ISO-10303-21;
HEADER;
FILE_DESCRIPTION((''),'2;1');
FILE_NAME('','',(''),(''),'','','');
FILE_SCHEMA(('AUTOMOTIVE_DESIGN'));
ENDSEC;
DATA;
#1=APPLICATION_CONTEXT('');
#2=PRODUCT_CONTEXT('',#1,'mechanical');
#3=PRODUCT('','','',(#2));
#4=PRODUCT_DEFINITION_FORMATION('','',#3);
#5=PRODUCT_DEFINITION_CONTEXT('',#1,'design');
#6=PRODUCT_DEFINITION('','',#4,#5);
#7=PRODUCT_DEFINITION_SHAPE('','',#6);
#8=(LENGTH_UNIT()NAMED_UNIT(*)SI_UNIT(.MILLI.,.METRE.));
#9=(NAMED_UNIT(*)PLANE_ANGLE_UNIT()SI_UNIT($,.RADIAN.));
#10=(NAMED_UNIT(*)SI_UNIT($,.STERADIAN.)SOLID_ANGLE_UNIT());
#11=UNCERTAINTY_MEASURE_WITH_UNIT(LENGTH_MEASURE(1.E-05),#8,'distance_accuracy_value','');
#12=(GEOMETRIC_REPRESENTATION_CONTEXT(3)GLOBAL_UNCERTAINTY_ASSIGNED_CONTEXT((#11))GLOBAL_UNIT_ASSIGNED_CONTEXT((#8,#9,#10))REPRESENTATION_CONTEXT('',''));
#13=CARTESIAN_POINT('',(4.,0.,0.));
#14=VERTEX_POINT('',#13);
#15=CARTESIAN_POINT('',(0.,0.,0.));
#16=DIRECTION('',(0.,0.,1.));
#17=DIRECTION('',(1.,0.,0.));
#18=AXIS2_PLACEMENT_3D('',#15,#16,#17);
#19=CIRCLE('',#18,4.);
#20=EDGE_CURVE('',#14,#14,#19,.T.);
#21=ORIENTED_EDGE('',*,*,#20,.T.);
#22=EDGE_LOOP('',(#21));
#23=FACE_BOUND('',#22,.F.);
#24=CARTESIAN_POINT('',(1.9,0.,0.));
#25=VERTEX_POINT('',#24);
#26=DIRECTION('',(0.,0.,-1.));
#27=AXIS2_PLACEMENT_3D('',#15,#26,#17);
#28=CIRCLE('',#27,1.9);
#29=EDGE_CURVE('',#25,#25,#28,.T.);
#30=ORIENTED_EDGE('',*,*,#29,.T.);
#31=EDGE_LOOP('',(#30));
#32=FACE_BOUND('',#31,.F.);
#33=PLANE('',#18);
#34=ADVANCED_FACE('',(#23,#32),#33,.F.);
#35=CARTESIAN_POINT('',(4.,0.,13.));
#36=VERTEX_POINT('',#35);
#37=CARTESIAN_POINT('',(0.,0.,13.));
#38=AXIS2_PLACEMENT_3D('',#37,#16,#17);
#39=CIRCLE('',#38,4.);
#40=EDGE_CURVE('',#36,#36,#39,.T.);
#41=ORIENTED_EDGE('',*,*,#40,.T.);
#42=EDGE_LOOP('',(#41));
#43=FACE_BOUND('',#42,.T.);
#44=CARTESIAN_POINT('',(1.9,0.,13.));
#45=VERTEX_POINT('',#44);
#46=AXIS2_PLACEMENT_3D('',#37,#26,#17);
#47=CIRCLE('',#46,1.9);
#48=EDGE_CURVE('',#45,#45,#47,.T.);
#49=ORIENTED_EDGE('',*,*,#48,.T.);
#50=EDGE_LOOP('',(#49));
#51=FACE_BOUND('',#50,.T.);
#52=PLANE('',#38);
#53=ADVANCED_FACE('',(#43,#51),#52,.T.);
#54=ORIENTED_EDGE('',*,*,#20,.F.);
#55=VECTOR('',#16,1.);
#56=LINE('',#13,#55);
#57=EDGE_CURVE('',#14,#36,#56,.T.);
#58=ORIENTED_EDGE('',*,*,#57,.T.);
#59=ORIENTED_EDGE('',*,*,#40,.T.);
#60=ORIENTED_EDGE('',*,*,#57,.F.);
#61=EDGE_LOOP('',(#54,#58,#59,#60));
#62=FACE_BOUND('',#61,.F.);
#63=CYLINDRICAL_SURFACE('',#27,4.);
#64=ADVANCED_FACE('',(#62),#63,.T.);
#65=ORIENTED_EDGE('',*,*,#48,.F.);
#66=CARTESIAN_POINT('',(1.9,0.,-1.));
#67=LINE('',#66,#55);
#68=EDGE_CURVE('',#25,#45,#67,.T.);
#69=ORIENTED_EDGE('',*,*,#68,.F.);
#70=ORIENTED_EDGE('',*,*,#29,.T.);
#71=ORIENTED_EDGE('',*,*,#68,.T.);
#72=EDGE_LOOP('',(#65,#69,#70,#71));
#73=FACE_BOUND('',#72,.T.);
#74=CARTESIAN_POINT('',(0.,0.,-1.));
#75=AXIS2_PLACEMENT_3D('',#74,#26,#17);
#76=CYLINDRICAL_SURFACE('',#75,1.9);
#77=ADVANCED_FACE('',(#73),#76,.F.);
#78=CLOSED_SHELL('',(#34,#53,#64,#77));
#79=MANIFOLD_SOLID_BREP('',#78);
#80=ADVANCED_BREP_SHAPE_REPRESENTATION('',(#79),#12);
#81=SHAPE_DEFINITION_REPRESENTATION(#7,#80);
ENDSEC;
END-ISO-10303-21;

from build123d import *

# Parameters (mm, degrees)
CYLINDER004_R     = 1.9
CYLINDER004_DEPTH = 20
CYLINDER005_R     = 4
CYLINDER005_DEPTH = 13


with BuildPart() as cylinder004:
    # Cylinder004 → Cylinder004 (new body)
    with BuildSketch(Plane.XY.offset(-1)):
        Circle(CYLINDER004_R)
    extrude(amount=CYLINDER004_DEPTH)


with BuildPart() as cut004:
    # Cylinder005 → Cylinder005 (new body)
    with BuildSketch(Plane.XY):
        Circle(CYLINDER005_R)
    extrude(amount=CYLINDER005_DEPTH)

    # Cut004: cut Cylinder004
    add(cylinder004.part, mode=Mode.SUBTRACT)


solid = cut004.part
